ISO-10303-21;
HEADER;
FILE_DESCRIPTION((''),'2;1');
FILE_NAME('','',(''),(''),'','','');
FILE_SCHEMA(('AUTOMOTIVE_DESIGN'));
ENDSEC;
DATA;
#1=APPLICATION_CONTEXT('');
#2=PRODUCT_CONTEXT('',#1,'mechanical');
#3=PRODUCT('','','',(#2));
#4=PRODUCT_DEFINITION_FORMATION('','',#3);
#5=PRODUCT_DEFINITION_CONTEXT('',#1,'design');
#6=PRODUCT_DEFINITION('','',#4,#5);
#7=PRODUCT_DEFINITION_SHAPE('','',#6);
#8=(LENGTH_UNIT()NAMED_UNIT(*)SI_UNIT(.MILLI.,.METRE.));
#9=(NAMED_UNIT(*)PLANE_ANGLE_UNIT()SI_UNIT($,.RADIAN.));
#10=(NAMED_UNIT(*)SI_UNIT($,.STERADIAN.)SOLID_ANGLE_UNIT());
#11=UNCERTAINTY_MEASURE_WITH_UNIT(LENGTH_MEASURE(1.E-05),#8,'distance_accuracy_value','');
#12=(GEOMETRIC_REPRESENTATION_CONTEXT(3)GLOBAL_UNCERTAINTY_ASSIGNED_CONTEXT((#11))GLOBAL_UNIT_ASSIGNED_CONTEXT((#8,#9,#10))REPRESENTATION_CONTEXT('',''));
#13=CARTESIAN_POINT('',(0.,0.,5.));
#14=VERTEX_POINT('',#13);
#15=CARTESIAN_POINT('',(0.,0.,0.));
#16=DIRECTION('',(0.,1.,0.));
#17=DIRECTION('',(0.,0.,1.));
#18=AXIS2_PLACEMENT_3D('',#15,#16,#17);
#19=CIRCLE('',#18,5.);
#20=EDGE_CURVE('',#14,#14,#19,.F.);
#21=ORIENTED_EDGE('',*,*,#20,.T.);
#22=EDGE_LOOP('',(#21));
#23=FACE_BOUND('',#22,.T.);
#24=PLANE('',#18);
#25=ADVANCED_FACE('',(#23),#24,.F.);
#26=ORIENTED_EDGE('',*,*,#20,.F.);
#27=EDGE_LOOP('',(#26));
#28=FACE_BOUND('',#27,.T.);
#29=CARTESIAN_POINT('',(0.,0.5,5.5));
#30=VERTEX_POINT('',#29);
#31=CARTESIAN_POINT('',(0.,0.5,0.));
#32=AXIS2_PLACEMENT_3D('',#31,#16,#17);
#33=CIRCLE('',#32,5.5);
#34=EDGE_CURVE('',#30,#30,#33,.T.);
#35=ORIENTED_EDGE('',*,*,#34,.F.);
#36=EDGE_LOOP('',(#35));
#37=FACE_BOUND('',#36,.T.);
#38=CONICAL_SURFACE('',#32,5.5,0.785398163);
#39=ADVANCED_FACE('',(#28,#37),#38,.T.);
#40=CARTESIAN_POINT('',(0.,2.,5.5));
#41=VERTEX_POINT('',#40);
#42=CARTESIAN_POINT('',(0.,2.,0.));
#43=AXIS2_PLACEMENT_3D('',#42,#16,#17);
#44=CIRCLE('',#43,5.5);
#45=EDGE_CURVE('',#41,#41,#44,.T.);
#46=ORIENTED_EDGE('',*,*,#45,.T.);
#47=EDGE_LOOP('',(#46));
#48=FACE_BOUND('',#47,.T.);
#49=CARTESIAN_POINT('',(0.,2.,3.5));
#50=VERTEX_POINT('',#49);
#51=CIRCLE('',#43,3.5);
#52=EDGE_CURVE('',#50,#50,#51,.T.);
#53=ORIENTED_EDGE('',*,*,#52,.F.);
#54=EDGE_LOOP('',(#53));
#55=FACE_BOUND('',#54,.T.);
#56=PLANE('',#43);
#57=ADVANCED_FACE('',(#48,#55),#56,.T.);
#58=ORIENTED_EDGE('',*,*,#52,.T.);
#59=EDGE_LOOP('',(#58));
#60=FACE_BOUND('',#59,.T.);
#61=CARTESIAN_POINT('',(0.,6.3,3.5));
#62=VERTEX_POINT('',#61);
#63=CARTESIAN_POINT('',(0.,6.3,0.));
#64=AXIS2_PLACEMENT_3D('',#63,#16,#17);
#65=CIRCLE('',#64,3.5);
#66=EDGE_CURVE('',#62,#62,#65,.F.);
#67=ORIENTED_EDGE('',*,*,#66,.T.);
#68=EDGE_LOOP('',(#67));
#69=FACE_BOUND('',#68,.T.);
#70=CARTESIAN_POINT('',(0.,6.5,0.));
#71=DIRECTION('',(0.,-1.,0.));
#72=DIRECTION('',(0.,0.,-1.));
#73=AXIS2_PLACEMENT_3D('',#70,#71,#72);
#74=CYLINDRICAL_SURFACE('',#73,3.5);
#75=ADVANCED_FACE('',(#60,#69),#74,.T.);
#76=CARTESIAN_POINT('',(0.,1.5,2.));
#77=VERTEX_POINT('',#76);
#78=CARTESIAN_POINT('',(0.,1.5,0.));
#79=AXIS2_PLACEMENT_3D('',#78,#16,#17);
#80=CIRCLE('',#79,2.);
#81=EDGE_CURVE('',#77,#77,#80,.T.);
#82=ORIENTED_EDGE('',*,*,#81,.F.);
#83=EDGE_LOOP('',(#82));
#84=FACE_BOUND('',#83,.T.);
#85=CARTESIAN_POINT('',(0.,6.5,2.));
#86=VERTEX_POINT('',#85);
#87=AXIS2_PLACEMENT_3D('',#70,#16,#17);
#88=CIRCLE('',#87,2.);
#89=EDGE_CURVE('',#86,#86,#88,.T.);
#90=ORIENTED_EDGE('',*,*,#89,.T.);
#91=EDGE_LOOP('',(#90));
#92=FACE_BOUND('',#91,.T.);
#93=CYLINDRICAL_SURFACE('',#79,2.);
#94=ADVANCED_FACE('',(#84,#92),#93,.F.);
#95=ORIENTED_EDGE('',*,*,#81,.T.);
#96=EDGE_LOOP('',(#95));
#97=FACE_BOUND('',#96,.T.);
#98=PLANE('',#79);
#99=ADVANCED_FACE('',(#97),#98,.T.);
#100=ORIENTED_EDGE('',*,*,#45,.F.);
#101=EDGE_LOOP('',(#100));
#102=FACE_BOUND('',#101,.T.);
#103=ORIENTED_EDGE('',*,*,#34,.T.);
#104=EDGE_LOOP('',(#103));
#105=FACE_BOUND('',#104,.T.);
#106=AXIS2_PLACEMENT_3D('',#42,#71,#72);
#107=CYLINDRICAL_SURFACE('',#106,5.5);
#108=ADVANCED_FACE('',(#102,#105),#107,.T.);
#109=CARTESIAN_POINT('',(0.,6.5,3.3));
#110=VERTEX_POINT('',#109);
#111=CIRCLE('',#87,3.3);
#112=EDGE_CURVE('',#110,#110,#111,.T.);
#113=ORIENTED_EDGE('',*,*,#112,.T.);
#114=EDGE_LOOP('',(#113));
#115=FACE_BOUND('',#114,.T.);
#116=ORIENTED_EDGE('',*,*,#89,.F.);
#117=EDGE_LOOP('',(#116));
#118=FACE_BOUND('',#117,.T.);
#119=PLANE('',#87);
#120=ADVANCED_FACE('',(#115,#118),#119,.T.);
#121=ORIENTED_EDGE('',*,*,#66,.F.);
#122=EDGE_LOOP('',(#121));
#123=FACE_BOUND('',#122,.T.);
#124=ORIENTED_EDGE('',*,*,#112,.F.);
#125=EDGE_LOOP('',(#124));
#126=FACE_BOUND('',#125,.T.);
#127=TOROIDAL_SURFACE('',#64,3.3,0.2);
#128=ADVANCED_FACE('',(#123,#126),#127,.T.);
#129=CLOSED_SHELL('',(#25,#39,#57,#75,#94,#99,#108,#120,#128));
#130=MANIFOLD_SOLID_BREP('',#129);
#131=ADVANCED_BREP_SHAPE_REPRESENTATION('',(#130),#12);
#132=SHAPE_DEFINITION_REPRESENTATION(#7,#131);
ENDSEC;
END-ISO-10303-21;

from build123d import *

# Parameters (mm, degrees)
SKETCH_1_R          = 5.5
EXTRUDE_1_DEPTH     = 2
SKETCH_2_R          = 3.5
EXTRUDE_2_DEPTH     = 4.5
SKETCH_3_R          = 2
CUT_EXTRUDE_1_DEPTH = 5
CHAMFER_1_SIZE      = 0.5
FILLET_1_R          = 0.2


with BuildPart() as part:
    # 草图1 → 凸台-拉伸1 (new body)
    with BuildSketch(Plane(origin=(0, 0, 0), x_dir=(1, 0, 0), z_dir=(0, 1, 0))):
        with Locations(Location((0, 0, 0), (0, 0, 270))):
            Circle(SKETCH_1_R)
    extrude(amount=EXTRUDE_1_DEPTH)

    # 草图2 → 凸台-拉伸2 (add)
    with BuildSketch(Plane(origin=(0, 2, 0), x_dir=(1, 0, 0), z_dir=(0, 1, 0))):
        with Locations(Location((0, 0, 0), (0, 0, 270))):
            Circle(SKETCH_2_R)
    extrude(amount=EXTRUDE_2_DEPTH)

    # 草图3 → 切除-拉伸1 (cut)
    with BuildSketch(Plane(origin=(0, 6.5, 0), x_dir=(1, 0, 0), z_dir=(0, 1, 0))):
        with Locations(Location((0, 0, 0), (0, 0, 270))):
            Circle(SKETCH_3_R)
    extrude(amount=-CUT_EXTRUDE_1_DEPTH, mode=Mode.SUBTRACT)

    # 倒角1
    chamfer_1_edges = [part.edges().sort_by_distance(p)[0] for p in [
        (0, 0, -5.5),
    ]]
    chamfer(chamfer_1_edges, length=CHAMFER_1_SIZE)

    # 圆角1
    fillet_1_edges = [part.edges().sort_by_distance(p)[0] for p in [
        (0, 6.5, -3.5),
    ]]
    fillet(fillet_1_edges, radius=FILLET_1_R)


solid = part.part
